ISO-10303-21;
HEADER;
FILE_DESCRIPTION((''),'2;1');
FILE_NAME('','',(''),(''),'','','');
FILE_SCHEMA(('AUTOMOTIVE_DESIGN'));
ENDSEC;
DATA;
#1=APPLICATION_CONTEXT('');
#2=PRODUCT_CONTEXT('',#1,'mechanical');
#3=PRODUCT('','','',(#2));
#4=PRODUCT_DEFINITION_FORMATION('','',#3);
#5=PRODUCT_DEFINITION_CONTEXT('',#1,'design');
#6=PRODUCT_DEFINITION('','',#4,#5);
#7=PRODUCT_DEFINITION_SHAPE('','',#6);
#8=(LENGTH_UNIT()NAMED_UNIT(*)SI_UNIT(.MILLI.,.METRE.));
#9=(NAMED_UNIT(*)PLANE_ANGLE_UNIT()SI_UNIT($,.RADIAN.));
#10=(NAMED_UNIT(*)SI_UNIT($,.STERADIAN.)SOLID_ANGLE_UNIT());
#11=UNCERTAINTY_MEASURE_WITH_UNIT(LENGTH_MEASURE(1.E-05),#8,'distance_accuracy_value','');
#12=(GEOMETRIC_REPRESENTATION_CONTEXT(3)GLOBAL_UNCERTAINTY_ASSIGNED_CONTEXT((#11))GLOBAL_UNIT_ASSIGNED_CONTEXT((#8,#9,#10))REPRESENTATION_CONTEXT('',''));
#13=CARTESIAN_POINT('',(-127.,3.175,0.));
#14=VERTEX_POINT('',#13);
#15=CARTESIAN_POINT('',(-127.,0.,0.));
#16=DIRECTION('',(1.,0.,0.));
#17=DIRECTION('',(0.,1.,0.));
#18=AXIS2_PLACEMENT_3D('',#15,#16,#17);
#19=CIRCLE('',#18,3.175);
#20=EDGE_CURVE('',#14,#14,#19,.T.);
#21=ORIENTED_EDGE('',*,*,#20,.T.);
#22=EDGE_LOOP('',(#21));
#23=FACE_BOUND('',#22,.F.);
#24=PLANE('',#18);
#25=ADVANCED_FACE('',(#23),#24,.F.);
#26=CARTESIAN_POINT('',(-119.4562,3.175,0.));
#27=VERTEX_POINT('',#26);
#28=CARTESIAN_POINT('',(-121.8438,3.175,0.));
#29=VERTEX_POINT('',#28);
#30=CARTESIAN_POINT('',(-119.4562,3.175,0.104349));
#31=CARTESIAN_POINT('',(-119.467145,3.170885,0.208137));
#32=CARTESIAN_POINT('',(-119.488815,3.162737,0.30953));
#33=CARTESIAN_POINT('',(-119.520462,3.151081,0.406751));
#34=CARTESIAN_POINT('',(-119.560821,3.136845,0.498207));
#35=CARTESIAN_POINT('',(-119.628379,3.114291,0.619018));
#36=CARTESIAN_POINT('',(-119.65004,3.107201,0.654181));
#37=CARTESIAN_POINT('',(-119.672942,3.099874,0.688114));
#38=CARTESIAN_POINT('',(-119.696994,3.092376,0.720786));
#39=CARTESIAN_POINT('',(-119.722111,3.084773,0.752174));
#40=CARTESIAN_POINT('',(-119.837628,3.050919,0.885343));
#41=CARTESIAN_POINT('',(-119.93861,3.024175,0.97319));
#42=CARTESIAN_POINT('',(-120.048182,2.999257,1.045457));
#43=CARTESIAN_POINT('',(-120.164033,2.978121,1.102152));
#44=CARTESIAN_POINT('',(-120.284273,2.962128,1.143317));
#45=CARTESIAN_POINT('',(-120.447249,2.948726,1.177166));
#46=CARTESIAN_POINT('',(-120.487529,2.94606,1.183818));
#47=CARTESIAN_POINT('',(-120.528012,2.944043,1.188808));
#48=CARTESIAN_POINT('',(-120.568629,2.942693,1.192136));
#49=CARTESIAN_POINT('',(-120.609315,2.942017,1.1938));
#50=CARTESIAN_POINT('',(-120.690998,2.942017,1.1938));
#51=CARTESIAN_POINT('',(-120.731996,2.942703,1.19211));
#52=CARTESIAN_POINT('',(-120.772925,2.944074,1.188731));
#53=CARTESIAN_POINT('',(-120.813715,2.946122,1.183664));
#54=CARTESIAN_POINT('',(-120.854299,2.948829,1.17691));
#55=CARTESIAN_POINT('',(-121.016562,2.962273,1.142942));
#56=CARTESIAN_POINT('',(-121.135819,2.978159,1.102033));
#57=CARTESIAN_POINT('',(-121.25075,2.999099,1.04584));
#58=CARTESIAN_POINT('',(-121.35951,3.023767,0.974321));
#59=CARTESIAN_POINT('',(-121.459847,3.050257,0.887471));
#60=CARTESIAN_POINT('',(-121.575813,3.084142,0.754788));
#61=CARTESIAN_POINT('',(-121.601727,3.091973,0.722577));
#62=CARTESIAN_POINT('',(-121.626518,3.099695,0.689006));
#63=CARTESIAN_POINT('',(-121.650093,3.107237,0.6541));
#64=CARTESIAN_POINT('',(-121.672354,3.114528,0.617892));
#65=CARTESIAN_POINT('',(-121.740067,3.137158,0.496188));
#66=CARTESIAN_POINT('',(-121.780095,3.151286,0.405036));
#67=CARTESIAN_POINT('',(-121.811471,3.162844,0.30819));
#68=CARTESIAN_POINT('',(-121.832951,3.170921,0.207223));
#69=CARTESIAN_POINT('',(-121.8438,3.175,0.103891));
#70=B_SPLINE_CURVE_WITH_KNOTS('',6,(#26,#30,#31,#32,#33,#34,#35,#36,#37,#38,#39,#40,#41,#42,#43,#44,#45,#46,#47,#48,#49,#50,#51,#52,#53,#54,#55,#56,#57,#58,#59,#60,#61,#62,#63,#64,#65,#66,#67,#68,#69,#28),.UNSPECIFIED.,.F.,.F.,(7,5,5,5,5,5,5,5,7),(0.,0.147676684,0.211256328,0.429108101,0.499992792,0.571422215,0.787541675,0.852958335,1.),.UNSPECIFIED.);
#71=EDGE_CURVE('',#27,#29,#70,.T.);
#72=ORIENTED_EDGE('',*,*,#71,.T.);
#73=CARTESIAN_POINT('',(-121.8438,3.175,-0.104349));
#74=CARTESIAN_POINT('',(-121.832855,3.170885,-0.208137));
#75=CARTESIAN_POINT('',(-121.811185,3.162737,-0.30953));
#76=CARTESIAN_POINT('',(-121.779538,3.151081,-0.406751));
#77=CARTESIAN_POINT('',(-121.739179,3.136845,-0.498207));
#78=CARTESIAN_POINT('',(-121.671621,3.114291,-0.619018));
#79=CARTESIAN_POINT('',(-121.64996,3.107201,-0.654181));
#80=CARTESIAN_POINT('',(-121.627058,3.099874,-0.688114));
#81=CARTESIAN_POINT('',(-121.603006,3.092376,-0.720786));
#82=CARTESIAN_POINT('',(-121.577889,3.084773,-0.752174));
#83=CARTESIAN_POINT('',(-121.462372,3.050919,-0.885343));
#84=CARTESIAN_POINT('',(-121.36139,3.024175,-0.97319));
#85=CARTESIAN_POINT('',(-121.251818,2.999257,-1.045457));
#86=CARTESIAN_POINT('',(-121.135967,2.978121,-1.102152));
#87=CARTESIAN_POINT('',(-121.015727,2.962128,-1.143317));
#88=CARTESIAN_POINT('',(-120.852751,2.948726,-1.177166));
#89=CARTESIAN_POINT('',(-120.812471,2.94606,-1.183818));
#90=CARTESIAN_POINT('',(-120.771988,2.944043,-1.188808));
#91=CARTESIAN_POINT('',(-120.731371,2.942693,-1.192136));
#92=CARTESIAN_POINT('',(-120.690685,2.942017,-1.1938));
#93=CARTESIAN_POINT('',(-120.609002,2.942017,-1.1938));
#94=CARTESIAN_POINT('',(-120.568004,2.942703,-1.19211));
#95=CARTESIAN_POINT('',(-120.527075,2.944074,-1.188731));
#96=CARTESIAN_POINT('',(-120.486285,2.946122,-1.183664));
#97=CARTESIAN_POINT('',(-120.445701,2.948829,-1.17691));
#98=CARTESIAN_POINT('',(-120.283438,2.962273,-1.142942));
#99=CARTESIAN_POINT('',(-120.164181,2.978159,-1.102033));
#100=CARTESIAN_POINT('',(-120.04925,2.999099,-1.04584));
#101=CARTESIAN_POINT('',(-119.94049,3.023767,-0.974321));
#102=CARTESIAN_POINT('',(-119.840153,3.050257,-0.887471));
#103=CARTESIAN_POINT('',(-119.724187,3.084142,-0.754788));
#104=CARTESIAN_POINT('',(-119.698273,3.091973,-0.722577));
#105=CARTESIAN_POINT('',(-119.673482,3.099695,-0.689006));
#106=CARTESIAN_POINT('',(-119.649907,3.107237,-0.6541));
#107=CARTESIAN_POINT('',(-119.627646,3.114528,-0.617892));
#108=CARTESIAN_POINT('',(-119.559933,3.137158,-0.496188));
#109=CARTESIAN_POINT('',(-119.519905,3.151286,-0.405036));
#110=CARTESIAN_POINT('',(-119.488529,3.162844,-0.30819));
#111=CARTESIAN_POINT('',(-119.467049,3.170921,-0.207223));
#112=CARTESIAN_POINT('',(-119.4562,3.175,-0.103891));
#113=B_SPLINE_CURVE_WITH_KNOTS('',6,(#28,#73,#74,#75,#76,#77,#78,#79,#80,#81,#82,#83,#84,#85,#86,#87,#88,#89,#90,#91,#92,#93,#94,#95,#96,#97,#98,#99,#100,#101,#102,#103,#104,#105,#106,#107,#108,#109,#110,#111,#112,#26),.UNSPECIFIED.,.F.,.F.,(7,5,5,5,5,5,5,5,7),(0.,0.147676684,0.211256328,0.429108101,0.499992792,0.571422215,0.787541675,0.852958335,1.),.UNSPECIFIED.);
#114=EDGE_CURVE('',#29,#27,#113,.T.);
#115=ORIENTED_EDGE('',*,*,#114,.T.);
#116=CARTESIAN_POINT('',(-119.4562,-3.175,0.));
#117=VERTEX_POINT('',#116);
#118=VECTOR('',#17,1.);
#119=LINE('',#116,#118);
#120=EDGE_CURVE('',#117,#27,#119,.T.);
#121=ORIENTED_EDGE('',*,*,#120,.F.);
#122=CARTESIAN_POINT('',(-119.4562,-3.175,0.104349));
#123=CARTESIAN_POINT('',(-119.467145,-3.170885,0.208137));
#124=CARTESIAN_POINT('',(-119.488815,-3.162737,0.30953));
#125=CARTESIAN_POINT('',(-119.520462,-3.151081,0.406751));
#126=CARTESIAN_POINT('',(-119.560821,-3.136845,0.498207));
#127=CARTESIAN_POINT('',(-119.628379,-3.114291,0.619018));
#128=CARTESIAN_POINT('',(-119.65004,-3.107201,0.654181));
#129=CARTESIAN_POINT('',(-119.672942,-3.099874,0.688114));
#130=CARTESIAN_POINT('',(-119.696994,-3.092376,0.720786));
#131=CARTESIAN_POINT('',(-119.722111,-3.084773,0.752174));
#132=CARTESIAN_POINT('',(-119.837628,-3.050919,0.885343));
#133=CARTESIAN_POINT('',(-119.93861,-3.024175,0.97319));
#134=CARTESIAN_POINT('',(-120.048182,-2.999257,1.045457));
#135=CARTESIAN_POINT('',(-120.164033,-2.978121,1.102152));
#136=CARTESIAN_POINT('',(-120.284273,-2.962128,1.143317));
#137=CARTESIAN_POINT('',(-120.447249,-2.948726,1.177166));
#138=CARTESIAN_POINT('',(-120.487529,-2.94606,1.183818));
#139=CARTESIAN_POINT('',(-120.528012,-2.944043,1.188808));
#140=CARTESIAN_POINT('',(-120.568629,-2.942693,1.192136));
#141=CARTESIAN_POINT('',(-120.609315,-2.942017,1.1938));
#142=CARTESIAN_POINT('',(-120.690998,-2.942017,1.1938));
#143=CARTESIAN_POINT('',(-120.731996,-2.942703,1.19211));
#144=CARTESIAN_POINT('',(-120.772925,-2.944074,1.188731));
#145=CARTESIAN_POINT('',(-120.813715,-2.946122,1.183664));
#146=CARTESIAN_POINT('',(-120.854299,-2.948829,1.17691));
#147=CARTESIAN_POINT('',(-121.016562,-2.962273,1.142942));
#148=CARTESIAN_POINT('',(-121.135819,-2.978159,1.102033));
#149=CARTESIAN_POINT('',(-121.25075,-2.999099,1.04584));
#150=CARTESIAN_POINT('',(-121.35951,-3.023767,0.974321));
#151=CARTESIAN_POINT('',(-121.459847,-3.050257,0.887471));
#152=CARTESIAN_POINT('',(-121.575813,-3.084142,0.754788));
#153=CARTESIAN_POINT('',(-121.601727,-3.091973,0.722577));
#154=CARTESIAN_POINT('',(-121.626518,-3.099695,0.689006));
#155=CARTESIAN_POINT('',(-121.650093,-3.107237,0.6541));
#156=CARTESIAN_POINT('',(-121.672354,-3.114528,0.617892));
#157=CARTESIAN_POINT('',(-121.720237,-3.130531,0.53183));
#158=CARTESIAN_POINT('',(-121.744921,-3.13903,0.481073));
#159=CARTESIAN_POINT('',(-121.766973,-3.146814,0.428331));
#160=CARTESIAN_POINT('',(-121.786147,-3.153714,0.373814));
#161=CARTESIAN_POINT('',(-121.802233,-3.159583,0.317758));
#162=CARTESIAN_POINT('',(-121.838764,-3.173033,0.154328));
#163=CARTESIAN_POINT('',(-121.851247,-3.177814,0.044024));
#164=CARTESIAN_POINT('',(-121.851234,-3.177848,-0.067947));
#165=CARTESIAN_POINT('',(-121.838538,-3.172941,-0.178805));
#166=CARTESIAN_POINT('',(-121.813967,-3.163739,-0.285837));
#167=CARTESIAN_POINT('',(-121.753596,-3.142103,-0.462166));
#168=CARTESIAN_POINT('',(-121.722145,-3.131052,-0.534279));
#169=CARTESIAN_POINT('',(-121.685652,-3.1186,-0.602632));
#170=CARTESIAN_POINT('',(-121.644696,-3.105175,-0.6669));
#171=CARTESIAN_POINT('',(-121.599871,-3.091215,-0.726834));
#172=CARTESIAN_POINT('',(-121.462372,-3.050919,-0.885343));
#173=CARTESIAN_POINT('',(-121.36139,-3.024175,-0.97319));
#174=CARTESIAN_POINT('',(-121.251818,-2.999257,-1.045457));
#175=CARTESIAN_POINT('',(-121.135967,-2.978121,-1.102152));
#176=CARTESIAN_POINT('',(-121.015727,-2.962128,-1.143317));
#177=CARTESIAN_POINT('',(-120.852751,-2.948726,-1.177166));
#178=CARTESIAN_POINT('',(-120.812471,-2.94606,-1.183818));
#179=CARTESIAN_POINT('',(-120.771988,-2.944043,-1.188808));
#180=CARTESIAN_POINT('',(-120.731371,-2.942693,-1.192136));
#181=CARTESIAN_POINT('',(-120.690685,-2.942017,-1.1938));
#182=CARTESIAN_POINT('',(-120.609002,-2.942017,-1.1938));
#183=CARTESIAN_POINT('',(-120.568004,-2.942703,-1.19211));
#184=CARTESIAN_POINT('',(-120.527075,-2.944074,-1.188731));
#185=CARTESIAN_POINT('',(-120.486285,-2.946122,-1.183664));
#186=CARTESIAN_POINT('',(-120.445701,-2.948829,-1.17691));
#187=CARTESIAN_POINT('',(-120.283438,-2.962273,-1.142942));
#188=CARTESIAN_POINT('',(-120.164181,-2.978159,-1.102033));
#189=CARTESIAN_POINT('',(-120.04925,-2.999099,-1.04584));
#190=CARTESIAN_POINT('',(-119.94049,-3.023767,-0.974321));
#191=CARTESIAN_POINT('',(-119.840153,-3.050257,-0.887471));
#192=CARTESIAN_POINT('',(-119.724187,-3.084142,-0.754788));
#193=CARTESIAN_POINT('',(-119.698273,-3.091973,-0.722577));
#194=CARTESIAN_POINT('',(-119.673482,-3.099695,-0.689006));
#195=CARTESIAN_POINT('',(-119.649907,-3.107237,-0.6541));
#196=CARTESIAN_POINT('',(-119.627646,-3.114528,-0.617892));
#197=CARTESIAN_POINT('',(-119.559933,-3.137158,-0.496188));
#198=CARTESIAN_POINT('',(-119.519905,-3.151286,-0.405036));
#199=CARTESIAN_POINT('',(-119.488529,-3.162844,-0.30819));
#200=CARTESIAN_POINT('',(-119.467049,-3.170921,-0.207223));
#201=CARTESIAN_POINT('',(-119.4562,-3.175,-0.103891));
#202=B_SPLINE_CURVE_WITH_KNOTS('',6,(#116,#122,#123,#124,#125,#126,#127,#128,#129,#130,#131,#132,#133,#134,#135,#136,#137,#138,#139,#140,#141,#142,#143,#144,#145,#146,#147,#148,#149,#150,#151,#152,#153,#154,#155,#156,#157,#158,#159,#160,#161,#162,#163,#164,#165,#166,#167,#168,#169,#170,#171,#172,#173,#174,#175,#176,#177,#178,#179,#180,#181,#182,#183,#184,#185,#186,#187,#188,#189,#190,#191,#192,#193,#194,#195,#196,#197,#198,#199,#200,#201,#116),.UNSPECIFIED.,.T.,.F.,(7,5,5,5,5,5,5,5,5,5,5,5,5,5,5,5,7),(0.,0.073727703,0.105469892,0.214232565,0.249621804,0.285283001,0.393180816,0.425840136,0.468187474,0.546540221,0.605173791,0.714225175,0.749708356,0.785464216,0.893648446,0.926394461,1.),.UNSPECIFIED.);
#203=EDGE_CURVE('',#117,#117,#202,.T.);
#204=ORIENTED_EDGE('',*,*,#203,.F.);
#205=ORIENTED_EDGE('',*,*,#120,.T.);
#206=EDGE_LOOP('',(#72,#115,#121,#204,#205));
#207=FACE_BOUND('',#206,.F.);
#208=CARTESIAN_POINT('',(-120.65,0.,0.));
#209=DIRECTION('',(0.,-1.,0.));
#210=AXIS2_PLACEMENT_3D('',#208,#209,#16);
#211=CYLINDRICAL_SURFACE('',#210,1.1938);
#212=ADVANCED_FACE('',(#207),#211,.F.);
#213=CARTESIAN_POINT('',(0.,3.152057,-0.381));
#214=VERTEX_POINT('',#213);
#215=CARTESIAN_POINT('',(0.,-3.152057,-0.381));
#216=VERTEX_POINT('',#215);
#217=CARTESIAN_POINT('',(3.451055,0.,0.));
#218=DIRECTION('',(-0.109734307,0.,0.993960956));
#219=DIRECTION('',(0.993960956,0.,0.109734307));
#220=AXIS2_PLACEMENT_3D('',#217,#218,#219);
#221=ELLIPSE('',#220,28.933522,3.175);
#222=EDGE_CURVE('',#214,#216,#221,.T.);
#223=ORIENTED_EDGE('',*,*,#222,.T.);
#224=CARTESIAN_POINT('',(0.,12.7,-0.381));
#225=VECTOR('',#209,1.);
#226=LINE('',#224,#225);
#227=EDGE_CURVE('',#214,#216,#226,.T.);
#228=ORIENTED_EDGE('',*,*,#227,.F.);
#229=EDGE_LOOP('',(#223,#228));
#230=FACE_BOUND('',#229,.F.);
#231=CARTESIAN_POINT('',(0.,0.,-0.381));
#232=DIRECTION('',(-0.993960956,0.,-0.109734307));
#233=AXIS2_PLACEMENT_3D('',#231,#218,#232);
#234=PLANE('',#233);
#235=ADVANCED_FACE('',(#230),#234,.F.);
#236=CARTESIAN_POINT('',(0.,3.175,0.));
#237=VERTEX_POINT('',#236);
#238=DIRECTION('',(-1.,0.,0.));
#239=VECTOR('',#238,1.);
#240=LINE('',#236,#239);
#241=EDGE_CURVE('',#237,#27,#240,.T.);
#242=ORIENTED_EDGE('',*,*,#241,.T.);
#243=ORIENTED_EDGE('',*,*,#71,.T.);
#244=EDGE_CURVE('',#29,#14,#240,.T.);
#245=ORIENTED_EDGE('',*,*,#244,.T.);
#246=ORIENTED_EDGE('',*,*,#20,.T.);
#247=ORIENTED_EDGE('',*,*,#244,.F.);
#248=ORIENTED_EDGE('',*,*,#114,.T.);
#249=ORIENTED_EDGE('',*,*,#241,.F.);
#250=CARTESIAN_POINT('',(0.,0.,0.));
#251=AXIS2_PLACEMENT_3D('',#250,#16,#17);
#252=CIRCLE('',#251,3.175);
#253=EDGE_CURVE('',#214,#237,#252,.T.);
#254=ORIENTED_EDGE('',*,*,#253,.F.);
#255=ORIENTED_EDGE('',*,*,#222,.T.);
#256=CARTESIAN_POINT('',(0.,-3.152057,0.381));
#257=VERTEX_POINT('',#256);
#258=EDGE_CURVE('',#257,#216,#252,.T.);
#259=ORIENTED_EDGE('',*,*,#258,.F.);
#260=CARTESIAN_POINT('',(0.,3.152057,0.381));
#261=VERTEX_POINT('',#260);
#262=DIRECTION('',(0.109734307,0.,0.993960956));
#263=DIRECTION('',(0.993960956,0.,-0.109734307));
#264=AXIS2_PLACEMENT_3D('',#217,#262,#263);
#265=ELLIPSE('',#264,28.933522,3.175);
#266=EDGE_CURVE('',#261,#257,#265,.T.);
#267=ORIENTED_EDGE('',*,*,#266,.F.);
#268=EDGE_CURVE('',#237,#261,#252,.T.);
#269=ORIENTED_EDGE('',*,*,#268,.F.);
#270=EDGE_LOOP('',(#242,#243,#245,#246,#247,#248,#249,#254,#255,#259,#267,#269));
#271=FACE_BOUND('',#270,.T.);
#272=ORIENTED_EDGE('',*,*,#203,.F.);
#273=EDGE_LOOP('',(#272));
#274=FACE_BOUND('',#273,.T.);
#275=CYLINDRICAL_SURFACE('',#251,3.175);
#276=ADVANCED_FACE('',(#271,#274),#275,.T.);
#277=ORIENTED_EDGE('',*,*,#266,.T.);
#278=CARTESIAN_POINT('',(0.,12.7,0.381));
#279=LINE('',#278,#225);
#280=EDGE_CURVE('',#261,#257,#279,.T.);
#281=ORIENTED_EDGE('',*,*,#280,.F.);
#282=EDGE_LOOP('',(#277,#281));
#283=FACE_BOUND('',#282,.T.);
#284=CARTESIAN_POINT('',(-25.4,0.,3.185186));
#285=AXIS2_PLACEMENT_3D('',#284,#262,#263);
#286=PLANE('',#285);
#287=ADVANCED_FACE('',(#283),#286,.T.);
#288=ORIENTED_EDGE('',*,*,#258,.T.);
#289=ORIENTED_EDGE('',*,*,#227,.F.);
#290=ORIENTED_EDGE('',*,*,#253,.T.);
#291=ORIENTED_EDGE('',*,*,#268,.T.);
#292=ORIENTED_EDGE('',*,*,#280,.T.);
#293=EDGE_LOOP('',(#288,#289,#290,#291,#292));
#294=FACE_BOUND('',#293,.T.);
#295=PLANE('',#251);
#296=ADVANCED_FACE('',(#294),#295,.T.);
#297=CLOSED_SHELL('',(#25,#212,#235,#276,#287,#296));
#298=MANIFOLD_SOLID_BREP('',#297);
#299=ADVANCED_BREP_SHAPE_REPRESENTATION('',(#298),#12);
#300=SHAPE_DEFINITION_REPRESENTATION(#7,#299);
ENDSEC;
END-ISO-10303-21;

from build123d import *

# Parameters (mm, degrees)
F0_R     = 3.175
F1_DEPTH = 127
F2_R     = 1.1938
F3_DEPTH = 12.7


with BuildPart() as f1:
    # F0 (on Right) → F1 (new body)
    with BuildSketch(Plane.YZ):
        Circle(F0_R)
    extrude(amount=-F1_DEPTH)

    # F2 (on Front) → F3 (cut, symmetric)
    with BuildSketch(Plane.XZ):
        with Locations((-120.65, 0)):
            Circle(F2_R)
        Polygon((-25.4, 3.185186), (0, 0.381), (0, 4.772419), (-25.4, 4.772419), align=None)
        Polygon((0, -4.772419), (0, -0.381), (-25.4, -3.185186), (-25.4, -4.772419), align=None)
    extrude(amount=F3_DEPTH, both=True, mode=Mode.SUBTRACT)


solid = f1.part
